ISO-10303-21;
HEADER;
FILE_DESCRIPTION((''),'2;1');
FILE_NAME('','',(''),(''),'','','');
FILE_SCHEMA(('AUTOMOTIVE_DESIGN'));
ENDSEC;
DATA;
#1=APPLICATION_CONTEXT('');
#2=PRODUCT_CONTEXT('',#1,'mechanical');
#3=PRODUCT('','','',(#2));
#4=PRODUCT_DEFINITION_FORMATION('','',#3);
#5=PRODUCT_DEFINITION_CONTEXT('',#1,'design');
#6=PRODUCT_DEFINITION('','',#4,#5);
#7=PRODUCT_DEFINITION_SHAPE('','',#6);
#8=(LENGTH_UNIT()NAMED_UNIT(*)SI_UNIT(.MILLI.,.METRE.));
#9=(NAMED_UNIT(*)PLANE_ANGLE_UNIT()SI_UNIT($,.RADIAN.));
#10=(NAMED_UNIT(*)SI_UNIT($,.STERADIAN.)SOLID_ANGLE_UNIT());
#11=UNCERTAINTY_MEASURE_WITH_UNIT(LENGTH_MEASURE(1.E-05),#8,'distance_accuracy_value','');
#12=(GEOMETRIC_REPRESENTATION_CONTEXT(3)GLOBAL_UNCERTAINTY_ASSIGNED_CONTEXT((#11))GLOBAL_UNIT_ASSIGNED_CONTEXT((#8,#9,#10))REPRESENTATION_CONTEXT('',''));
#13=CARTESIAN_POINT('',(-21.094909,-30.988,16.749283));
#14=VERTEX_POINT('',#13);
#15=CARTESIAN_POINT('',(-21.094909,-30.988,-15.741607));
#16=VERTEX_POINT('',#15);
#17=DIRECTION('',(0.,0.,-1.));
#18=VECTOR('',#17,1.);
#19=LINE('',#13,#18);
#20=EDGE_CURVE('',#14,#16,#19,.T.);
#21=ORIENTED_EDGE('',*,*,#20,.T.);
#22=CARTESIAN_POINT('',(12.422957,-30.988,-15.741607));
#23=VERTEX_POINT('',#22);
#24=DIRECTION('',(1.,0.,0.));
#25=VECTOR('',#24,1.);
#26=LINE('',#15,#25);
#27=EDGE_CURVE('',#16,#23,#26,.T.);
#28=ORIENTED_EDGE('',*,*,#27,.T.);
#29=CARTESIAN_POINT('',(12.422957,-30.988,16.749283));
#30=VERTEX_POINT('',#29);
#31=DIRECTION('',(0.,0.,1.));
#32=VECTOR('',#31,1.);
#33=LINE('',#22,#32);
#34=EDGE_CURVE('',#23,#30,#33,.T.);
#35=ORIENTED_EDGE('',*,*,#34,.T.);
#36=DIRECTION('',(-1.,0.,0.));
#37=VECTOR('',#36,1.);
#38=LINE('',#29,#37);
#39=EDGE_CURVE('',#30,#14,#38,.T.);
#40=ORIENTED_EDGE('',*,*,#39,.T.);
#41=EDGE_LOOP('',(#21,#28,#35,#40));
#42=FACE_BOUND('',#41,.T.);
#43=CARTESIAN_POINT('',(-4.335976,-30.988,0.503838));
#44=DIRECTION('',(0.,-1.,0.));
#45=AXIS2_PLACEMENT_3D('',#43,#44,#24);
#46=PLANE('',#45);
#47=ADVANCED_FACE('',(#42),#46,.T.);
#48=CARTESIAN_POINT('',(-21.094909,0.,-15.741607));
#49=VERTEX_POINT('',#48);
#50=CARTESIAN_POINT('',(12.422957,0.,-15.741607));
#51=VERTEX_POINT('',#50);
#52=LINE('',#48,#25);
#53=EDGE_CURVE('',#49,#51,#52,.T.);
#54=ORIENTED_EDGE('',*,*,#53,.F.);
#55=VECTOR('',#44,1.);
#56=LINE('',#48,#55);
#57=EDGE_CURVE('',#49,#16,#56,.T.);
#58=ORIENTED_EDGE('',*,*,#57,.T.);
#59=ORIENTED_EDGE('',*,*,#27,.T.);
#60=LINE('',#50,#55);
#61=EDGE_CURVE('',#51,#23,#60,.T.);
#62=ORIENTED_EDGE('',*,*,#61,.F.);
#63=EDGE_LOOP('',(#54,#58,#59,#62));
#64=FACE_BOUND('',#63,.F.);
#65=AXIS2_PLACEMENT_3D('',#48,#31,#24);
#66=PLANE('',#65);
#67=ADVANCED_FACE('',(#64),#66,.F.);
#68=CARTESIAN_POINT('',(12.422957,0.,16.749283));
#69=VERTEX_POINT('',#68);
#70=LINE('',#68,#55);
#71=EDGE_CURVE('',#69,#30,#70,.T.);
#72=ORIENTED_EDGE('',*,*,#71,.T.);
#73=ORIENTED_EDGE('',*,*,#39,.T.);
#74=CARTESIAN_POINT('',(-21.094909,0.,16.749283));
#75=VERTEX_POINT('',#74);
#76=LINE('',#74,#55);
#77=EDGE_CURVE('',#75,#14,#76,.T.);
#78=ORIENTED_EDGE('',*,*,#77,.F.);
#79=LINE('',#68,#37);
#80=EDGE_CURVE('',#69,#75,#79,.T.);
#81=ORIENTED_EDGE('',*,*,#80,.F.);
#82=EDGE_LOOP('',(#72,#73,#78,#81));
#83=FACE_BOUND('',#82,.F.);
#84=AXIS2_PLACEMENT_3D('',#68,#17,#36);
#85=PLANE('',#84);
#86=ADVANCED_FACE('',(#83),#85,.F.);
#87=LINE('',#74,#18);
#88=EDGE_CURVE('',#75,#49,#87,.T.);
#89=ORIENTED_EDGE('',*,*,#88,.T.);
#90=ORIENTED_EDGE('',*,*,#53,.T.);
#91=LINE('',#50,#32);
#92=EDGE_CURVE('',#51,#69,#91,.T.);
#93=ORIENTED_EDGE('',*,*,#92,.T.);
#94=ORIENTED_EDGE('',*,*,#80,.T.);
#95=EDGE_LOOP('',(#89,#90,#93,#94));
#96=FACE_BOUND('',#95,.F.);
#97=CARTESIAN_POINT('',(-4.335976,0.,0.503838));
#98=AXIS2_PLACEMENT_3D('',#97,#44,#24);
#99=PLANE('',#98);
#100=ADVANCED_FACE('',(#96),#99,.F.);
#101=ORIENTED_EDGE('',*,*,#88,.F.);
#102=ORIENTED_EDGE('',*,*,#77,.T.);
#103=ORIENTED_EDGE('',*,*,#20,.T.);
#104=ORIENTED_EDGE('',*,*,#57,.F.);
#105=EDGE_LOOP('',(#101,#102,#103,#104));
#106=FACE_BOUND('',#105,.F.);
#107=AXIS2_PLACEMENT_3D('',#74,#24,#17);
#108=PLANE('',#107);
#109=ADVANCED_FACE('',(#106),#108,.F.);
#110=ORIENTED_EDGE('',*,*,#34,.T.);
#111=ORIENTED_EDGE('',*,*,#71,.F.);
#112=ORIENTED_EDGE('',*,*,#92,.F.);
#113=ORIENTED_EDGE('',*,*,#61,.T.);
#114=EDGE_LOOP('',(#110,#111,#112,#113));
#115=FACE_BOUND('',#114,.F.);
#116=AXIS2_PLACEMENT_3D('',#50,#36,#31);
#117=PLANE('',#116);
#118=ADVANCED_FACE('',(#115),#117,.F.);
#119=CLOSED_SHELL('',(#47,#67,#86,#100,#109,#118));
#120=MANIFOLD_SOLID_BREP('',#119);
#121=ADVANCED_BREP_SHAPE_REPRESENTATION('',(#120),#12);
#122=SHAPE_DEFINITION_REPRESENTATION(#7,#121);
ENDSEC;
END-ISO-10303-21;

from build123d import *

# Parameters (mm, degrees)
F1_DEPTH = 30.988
F2_R     = 2.438246
F3_DEPTH = 25.4


with BuildPart() as f1:
    # F0 (on Front) → F1 (new body)
    with BuildSketch(Plane.XZ):
        Polygon((-21.094909, 16.749283), (-21.094909, 15.740251), (-21.094909, -15.741607), (12.422957, -15.741607), (12.422957, 16.749283), align=None)
    extrude(amount=F1_DEPTH)

    # F2 (on Front) → F3 (cut)
    with BuildSketch(Plane.XZ):
        with Locations((-10.997593, -6.255511)):
            Circle(F2_R)
    extrude(amount=-F3_DEPTH, mode=Mode.SUBTRACT)


solid = f1.part
